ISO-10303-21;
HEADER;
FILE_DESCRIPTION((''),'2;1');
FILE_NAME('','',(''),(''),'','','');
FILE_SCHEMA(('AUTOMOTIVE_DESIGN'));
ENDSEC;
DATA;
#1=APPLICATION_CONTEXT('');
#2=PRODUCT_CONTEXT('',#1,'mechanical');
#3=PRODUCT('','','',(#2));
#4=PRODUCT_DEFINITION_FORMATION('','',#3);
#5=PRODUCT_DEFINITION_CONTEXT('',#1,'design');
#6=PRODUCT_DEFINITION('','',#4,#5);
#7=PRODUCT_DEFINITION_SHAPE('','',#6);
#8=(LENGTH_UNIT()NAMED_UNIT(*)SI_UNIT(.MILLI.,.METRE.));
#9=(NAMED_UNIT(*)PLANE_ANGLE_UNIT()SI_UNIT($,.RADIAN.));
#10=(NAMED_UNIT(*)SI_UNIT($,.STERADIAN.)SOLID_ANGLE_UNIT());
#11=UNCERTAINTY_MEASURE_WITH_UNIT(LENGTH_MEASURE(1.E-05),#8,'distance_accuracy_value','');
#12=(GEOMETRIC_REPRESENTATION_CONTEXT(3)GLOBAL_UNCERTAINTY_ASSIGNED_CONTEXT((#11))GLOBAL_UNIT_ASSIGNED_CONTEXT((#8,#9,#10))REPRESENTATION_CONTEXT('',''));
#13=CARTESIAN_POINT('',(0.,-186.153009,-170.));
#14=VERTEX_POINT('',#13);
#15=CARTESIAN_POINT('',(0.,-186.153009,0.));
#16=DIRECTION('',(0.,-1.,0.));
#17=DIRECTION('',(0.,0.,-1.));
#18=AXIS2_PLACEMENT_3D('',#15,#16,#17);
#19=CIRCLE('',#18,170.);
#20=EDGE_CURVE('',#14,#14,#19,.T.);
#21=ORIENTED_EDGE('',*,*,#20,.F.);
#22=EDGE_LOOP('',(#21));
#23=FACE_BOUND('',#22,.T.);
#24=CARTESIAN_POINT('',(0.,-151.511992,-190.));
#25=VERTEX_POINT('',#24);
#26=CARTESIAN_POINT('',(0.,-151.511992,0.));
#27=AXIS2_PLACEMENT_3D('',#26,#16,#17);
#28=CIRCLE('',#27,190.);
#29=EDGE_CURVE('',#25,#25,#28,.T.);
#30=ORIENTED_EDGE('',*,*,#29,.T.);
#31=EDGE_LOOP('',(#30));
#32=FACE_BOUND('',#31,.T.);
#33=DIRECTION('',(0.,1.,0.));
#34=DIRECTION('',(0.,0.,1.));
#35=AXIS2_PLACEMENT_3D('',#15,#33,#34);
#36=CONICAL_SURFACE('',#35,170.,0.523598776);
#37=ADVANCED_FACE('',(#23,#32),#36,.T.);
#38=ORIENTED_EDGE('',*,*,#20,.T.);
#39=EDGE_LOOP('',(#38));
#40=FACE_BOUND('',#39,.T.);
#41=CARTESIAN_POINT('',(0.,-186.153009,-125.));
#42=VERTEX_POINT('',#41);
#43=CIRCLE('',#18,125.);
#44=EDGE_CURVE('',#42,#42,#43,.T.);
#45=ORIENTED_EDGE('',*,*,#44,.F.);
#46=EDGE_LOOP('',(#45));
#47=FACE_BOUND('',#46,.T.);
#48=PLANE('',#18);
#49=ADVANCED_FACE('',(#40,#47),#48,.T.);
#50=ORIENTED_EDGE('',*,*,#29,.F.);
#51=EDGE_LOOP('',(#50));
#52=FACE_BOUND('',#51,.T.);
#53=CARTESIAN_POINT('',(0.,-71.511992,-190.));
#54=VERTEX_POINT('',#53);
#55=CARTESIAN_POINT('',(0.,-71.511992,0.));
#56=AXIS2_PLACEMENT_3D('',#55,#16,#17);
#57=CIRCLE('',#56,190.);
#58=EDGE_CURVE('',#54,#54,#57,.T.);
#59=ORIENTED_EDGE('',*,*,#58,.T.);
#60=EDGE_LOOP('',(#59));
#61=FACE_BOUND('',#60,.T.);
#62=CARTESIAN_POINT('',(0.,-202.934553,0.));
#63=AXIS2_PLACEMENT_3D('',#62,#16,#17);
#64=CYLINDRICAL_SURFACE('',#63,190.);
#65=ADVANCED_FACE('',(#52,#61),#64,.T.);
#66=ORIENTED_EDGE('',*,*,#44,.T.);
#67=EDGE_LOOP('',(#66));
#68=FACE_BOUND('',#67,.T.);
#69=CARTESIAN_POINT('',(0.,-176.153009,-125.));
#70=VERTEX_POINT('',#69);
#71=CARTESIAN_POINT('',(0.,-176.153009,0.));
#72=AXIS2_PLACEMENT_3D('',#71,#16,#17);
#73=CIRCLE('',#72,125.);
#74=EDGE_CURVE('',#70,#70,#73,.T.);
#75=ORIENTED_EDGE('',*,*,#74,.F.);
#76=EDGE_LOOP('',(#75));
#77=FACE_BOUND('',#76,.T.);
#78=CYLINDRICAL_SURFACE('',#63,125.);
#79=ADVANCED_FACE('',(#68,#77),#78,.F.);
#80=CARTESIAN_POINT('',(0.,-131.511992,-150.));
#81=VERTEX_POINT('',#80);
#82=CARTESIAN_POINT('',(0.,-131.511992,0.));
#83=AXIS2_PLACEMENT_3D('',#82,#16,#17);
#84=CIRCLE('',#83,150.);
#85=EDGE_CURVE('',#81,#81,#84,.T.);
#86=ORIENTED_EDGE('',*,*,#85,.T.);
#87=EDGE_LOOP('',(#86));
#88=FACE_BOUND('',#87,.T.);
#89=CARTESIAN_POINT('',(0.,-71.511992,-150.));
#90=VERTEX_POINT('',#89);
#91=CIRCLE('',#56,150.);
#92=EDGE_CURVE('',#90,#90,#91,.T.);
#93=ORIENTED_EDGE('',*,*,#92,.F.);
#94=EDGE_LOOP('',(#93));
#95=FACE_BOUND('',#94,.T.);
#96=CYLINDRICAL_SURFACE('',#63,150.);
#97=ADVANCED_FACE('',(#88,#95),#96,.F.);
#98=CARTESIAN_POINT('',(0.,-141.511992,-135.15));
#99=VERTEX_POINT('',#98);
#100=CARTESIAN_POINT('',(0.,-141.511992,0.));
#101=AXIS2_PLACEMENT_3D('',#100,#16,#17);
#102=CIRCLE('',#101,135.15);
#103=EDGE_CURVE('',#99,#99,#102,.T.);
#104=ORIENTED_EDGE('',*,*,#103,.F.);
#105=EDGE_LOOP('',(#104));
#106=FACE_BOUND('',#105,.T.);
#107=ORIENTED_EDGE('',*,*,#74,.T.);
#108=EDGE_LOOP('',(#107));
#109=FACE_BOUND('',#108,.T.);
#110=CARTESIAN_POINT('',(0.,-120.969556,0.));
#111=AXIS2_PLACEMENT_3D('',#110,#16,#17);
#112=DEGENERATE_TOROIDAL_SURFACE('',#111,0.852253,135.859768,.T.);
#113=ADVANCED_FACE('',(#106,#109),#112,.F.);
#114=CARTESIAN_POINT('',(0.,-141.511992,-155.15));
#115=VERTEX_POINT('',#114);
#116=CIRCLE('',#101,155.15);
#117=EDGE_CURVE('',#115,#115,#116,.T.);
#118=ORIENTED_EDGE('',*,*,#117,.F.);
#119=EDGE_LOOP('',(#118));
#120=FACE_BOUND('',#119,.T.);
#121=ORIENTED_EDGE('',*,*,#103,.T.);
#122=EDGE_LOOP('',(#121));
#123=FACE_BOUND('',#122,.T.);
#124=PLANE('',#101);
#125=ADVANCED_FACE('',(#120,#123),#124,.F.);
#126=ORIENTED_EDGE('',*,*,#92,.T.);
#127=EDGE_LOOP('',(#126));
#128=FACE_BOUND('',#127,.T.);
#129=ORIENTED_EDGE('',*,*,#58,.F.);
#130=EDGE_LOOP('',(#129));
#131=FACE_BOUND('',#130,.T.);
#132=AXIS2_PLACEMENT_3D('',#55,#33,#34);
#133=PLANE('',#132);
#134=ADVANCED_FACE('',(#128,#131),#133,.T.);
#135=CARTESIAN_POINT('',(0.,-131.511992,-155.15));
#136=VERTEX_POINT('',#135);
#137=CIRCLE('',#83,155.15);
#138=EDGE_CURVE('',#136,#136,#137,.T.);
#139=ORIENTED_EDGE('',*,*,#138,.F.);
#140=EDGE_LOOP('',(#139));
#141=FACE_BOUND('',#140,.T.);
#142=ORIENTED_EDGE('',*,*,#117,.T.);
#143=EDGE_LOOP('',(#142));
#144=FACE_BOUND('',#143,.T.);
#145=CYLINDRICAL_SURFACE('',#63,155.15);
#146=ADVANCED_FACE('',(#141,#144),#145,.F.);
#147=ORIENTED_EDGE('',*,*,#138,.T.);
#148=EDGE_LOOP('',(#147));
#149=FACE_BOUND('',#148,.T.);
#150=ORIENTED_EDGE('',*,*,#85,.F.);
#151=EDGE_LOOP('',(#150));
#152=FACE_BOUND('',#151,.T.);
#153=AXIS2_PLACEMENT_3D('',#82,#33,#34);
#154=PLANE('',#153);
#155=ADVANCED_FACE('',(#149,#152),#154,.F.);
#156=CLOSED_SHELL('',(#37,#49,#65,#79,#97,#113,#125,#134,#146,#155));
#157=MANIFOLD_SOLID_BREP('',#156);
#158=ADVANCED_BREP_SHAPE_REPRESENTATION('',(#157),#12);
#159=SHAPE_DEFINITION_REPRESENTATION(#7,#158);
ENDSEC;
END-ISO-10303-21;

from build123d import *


with BuildPart() as part:
    # Esquisse1 → Révolution1 (revolve)
    with BuildSketch(Plane.XY, mode=Mode.PRIVATE) as r_volution1_sk:
        with BuildLine():
            Line((133.234412351, -151.511992469), (190, -151.511992469))
            Line((190, -151.511992469), (190, -71.511992469))
            Line((190, -71.511992469), (150, -71.511992469))
            Line((150, -71.511992469), (150, -131.511992469))
            Line((150, -131.511992469), (155.15, -131.511992469))
            Line((155.15, -131.511992469), (155.15, -141.511992469))
            Line((155.15, -141.511992469), (135.15, -141.511992469))
            ThreePointArc((135.15, -141.511992469), (134.28591859, -146.529943903), (133.234412351, -151.511992469))
        make_face()
        with BuildLine():
            Line((125, -176.15300862), (125, -186.15300862))
            Line((125, -186.15300862), (170, -186.15300862))
            Line((170, -186.15300862), (190, -151.511992469))
            Line((190, -151.511992469), (133.234412351, -151.511992469))
            ThreePointArc((133.234412351, -151.511992469), (129.707571602, -164.029785929), (125, -176.15300862))
        make_face()
    revolve(r_volution1_sk.sketch.rotate(Axis((0, -202.934552656, 0), (0, 1, 0)), 90), axis=Axis((0, -202.934552656, 0), (0, 1, 0)))


solid = part.part
